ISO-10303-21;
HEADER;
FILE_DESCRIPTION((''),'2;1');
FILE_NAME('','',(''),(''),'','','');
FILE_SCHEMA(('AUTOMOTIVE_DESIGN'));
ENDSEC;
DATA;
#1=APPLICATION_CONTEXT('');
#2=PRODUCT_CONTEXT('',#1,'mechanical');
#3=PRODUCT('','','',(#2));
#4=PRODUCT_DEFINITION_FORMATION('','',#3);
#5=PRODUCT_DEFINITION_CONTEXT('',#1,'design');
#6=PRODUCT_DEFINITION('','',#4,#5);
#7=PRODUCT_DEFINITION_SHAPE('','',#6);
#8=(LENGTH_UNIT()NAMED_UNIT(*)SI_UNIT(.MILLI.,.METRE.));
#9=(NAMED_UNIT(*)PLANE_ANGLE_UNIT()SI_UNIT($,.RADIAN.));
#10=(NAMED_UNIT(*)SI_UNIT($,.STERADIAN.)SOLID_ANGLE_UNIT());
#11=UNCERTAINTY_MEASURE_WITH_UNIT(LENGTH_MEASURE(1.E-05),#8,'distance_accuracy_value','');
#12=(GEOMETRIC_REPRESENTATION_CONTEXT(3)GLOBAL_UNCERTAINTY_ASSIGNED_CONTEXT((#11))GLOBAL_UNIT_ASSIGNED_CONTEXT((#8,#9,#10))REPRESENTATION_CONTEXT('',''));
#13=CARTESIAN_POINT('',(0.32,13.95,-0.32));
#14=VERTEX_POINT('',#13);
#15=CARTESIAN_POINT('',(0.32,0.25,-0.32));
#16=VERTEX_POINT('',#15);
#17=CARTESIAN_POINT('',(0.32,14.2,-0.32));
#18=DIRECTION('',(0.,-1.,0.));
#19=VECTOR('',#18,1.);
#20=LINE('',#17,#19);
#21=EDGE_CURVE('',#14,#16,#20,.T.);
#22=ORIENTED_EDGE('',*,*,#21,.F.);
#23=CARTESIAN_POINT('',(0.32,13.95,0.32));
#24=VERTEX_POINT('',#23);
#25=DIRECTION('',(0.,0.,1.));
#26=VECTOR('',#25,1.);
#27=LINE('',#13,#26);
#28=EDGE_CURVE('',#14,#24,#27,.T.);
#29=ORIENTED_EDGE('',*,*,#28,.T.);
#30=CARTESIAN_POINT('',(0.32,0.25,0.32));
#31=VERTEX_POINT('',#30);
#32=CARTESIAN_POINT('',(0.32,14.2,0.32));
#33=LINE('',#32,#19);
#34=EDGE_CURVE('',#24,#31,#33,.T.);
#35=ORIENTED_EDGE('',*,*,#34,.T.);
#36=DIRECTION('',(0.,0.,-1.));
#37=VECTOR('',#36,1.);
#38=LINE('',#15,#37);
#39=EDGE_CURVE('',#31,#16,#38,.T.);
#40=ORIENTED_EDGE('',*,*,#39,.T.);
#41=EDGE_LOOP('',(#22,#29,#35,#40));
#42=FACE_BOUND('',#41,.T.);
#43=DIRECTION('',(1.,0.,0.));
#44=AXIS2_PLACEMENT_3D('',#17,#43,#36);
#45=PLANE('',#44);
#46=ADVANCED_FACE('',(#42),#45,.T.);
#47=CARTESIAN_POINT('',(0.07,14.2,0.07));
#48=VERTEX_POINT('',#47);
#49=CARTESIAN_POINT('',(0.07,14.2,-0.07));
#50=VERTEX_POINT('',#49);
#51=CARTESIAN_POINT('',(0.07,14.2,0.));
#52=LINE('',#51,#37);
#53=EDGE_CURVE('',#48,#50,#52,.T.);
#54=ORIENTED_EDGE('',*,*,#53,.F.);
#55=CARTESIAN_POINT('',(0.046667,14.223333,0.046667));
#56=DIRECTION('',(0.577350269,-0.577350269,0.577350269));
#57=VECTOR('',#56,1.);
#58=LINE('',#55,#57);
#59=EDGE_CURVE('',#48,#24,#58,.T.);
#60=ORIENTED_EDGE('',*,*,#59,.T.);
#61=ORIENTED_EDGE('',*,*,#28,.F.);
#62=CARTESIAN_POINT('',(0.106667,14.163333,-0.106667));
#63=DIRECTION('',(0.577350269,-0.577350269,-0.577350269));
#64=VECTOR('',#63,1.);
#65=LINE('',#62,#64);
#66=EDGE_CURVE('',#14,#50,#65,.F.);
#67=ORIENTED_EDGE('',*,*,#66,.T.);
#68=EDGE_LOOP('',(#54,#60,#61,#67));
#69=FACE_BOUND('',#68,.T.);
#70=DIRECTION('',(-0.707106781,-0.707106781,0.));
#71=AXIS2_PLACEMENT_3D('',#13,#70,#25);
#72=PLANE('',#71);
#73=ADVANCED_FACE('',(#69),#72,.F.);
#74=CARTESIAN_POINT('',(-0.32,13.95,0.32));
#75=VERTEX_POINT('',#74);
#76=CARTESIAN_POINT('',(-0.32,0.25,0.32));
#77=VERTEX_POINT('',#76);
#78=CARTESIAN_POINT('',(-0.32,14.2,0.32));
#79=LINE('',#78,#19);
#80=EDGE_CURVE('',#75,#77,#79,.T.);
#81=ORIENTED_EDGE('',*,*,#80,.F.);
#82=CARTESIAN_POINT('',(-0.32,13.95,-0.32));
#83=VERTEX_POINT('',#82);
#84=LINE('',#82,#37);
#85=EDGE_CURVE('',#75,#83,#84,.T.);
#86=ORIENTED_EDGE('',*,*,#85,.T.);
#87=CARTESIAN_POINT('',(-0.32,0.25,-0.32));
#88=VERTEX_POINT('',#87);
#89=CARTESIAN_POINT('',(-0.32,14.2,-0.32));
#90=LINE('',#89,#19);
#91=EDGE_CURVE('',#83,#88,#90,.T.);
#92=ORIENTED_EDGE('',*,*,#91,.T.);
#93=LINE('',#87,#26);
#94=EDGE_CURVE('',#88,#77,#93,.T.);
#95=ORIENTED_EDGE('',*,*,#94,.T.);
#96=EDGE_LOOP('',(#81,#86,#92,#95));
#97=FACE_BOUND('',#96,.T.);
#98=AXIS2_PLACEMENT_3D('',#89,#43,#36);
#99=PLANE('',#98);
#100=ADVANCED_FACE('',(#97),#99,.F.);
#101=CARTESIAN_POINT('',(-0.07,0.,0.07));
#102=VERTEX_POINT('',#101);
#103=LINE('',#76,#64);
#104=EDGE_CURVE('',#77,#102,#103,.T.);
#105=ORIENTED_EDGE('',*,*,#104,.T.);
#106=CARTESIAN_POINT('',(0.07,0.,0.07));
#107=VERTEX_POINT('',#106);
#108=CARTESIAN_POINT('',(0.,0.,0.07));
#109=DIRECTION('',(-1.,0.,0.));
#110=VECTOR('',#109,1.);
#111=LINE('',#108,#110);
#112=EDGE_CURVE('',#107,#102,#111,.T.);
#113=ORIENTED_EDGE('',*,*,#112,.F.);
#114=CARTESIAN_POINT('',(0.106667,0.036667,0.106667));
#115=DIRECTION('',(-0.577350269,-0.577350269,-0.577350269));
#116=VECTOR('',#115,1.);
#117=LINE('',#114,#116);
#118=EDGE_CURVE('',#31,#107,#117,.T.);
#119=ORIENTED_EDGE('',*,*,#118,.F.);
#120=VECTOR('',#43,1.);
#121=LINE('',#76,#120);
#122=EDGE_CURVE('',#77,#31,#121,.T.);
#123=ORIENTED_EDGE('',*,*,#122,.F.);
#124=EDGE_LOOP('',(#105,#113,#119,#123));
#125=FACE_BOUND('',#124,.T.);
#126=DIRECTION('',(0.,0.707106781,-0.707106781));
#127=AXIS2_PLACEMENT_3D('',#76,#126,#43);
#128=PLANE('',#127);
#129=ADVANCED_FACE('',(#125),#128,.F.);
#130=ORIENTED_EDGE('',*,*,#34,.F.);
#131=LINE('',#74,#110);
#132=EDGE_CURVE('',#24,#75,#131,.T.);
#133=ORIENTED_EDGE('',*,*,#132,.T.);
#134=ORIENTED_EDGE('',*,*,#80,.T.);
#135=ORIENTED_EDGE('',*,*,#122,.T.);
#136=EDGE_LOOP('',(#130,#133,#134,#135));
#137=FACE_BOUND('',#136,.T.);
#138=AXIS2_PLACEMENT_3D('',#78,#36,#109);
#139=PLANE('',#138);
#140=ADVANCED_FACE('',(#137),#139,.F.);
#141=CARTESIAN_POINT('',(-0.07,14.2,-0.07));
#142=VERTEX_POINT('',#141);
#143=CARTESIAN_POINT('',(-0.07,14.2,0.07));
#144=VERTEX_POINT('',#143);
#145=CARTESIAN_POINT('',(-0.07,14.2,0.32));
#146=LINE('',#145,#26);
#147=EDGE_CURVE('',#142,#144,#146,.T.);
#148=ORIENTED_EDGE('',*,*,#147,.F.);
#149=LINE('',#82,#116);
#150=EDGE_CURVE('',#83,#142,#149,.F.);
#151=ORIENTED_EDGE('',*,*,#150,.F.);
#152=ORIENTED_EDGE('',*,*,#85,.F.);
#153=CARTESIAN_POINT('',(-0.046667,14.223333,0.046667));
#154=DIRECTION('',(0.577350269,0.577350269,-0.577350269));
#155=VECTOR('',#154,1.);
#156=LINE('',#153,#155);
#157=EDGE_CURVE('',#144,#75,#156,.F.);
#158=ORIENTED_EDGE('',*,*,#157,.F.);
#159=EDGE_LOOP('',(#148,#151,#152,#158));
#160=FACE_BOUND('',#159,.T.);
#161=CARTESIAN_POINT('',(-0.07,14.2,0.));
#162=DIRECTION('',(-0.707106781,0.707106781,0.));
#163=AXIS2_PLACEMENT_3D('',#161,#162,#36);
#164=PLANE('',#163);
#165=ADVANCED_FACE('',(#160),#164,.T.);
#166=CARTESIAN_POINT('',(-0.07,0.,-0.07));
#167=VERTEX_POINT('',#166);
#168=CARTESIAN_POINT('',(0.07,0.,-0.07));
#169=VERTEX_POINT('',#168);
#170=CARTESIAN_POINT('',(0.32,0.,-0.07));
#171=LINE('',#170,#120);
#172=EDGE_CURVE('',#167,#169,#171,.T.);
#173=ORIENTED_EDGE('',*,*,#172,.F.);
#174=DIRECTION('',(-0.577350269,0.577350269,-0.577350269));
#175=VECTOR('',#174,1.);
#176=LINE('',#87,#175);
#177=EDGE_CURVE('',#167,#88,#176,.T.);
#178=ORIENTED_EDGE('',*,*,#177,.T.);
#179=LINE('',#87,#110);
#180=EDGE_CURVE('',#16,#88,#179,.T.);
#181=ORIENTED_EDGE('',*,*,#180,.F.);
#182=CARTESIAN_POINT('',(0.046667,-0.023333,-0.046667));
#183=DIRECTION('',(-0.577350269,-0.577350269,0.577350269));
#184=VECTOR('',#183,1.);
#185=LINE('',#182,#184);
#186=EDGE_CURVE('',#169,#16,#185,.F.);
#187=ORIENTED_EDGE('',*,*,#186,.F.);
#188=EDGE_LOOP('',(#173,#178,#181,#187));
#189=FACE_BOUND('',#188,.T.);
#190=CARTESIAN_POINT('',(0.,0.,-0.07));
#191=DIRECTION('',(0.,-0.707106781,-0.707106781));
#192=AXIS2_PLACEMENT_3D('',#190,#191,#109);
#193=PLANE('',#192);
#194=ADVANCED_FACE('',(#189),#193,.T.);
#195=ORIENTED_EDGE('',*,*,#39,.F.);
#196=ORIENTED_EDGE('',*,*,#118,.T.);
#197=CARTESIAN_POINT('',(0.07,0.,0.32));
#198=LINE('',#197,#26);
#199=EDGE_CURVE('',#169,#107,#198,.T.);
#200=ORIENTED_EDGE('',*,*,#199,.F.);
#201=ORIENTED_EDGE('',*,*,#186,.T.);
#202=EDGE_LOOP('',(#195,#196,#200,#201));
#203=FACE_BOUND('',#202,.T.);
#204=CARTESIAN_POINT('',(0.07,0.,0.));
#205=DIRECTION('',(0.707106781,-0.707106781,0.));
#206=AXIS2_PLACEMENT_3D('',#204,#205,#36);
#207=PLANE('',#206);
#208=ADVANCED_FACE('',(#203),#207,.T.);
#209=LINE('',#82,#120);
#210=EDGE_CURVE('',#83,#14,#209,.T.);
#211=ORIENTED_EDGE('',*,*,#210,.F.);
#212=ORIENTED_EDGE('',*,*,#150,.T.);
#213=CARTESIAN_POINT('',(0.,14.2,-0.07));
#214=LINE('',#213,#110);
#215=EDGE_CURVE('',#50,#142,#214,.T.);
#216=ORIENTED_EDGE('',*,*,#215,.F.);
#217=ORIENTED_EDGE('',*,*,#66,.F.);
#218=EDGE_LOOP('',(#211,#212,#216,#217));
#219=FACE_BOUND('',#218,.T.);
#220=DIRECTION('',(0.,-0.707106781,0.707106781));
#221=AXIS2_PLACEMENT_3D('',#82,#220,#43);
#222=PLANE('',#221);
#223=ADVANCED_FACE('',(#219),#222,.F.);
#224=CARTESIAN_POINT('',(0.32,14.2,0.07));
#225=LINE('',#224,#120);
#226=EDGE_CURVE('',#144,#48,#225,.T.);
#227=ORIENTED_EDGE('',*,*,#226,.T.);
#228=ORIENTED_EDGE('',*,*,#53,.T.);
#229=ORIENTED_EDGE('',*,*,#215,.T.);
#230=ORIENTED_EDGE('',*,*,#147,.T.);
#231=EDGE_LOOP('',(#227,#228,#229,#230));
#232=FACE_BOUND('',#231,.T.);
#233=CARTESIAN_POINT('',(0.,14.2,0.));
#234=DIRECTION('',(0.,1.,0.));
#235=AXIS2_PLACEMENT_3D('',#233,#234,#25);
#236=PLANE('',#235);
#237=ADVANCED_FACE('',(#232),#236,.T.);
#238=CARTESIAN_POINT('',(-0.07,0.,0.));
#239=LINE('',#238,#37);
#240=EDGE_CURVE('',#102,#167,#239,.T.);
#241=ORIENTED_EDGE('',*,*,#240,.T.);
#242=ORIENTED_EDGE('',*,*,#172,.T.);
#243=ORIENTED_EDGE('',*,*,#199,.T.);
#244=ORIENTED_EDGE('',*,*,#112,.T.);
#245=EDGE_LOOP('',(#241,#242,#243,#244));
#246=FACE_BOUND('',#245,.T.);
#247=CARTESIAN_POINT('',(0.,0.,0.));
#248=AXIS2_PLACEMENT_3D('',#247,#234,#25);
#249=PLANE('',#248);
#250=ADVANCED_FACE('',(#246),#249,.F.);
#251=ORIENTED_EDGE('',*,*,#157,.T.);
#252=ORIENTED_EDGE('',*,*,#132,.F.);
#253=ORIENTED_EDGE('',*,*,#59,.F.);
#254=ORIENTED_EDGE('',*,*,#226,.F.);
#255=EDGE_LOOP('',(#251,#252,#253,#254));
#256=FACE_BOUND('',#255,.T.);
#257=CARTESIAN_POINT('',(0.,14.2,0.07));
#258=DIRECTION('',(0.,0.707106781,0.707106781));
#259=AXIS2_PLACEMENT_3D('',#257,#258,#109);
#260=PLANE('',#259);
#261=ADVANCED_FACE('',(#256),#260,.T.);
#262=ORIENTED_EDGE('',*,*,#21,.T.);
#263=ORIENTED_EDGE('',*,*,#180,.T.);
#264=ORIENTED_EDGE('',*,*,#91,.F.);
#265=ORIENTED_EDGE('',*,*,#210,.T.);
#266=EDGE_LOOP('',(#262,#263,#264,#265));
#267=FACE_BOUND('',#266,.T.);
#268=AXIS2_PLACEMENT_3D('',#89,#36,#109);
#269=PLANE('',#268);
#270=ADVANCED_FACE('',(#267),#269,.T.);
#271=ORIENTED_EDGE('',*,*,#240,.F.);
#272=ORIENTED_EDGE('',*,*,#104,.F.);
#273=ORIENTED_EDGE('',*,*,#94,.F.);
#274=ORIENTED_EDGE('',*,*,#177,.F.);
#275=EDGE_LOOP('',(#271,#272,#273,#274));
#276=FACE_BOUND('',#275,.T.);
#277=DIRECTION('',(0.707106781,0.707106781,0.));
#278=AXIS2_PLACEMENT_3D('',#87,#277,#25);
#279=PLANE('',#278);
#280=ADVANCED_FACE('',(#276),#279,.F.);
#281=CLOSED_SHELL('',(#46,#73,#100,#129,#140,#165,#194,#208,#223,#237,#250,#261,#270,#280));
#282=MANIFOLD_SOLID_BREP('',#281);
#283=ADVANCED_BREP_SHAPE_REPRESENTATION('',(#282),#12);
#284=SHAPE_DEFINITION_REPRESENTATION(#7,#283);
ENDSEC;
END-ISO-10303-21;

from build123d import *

# Parameters (mm, degrees)
SZKIC1_W                    = 0.64
SZKIC1_H                    = 0.64
DODANIE_WYCI_GNI_CIE1_DEPTH = 14.2
SFAZOWANIE1_SIZE            = 0.25
SFAZOWANIE2_SIZE            = 0.25


with BuildPart() as part:
    # Szkic1 → Dodanie-wyciągnięcie1 (new body)
    with BuildSketch(Plane(origin=(0, 0, 0), x_dir=(1, 0, 0), z_dir=(0, 1, 0))):
        Rectangle(SZKIC1_W, SZKIC1_H)
    extrude(amount=DODANIE_WYCI_GNI_CIE1_DEPTH)

    # Sfazowanie1
    sfazowanie1_edges = [part.edges().sort_by_distance(p)[0] for p in [
        (0.32, 14.2, 0),
        (0, 14.2, -0.32),
        (-0.32, 14.2, 0),
        (0, 14.2, 0.32),
    ]]
    chamfer(sfazowanie1_edges, length=SFAZOWANIE1_SIZE)

    # Sfazowanie2
    sfazowanie2_edges = [part.edges().sort_by_distance(p)[0] for p in [
        (0, 0, -0.32),
        (0.32, 0, 0),
        (0, 0, 0.32),
        (-0.32, 0, 0),
    ]]
    chamfer(sfazowanie2_edges, length=SFAZOWANIE2_SIZE)


solid = part.part
